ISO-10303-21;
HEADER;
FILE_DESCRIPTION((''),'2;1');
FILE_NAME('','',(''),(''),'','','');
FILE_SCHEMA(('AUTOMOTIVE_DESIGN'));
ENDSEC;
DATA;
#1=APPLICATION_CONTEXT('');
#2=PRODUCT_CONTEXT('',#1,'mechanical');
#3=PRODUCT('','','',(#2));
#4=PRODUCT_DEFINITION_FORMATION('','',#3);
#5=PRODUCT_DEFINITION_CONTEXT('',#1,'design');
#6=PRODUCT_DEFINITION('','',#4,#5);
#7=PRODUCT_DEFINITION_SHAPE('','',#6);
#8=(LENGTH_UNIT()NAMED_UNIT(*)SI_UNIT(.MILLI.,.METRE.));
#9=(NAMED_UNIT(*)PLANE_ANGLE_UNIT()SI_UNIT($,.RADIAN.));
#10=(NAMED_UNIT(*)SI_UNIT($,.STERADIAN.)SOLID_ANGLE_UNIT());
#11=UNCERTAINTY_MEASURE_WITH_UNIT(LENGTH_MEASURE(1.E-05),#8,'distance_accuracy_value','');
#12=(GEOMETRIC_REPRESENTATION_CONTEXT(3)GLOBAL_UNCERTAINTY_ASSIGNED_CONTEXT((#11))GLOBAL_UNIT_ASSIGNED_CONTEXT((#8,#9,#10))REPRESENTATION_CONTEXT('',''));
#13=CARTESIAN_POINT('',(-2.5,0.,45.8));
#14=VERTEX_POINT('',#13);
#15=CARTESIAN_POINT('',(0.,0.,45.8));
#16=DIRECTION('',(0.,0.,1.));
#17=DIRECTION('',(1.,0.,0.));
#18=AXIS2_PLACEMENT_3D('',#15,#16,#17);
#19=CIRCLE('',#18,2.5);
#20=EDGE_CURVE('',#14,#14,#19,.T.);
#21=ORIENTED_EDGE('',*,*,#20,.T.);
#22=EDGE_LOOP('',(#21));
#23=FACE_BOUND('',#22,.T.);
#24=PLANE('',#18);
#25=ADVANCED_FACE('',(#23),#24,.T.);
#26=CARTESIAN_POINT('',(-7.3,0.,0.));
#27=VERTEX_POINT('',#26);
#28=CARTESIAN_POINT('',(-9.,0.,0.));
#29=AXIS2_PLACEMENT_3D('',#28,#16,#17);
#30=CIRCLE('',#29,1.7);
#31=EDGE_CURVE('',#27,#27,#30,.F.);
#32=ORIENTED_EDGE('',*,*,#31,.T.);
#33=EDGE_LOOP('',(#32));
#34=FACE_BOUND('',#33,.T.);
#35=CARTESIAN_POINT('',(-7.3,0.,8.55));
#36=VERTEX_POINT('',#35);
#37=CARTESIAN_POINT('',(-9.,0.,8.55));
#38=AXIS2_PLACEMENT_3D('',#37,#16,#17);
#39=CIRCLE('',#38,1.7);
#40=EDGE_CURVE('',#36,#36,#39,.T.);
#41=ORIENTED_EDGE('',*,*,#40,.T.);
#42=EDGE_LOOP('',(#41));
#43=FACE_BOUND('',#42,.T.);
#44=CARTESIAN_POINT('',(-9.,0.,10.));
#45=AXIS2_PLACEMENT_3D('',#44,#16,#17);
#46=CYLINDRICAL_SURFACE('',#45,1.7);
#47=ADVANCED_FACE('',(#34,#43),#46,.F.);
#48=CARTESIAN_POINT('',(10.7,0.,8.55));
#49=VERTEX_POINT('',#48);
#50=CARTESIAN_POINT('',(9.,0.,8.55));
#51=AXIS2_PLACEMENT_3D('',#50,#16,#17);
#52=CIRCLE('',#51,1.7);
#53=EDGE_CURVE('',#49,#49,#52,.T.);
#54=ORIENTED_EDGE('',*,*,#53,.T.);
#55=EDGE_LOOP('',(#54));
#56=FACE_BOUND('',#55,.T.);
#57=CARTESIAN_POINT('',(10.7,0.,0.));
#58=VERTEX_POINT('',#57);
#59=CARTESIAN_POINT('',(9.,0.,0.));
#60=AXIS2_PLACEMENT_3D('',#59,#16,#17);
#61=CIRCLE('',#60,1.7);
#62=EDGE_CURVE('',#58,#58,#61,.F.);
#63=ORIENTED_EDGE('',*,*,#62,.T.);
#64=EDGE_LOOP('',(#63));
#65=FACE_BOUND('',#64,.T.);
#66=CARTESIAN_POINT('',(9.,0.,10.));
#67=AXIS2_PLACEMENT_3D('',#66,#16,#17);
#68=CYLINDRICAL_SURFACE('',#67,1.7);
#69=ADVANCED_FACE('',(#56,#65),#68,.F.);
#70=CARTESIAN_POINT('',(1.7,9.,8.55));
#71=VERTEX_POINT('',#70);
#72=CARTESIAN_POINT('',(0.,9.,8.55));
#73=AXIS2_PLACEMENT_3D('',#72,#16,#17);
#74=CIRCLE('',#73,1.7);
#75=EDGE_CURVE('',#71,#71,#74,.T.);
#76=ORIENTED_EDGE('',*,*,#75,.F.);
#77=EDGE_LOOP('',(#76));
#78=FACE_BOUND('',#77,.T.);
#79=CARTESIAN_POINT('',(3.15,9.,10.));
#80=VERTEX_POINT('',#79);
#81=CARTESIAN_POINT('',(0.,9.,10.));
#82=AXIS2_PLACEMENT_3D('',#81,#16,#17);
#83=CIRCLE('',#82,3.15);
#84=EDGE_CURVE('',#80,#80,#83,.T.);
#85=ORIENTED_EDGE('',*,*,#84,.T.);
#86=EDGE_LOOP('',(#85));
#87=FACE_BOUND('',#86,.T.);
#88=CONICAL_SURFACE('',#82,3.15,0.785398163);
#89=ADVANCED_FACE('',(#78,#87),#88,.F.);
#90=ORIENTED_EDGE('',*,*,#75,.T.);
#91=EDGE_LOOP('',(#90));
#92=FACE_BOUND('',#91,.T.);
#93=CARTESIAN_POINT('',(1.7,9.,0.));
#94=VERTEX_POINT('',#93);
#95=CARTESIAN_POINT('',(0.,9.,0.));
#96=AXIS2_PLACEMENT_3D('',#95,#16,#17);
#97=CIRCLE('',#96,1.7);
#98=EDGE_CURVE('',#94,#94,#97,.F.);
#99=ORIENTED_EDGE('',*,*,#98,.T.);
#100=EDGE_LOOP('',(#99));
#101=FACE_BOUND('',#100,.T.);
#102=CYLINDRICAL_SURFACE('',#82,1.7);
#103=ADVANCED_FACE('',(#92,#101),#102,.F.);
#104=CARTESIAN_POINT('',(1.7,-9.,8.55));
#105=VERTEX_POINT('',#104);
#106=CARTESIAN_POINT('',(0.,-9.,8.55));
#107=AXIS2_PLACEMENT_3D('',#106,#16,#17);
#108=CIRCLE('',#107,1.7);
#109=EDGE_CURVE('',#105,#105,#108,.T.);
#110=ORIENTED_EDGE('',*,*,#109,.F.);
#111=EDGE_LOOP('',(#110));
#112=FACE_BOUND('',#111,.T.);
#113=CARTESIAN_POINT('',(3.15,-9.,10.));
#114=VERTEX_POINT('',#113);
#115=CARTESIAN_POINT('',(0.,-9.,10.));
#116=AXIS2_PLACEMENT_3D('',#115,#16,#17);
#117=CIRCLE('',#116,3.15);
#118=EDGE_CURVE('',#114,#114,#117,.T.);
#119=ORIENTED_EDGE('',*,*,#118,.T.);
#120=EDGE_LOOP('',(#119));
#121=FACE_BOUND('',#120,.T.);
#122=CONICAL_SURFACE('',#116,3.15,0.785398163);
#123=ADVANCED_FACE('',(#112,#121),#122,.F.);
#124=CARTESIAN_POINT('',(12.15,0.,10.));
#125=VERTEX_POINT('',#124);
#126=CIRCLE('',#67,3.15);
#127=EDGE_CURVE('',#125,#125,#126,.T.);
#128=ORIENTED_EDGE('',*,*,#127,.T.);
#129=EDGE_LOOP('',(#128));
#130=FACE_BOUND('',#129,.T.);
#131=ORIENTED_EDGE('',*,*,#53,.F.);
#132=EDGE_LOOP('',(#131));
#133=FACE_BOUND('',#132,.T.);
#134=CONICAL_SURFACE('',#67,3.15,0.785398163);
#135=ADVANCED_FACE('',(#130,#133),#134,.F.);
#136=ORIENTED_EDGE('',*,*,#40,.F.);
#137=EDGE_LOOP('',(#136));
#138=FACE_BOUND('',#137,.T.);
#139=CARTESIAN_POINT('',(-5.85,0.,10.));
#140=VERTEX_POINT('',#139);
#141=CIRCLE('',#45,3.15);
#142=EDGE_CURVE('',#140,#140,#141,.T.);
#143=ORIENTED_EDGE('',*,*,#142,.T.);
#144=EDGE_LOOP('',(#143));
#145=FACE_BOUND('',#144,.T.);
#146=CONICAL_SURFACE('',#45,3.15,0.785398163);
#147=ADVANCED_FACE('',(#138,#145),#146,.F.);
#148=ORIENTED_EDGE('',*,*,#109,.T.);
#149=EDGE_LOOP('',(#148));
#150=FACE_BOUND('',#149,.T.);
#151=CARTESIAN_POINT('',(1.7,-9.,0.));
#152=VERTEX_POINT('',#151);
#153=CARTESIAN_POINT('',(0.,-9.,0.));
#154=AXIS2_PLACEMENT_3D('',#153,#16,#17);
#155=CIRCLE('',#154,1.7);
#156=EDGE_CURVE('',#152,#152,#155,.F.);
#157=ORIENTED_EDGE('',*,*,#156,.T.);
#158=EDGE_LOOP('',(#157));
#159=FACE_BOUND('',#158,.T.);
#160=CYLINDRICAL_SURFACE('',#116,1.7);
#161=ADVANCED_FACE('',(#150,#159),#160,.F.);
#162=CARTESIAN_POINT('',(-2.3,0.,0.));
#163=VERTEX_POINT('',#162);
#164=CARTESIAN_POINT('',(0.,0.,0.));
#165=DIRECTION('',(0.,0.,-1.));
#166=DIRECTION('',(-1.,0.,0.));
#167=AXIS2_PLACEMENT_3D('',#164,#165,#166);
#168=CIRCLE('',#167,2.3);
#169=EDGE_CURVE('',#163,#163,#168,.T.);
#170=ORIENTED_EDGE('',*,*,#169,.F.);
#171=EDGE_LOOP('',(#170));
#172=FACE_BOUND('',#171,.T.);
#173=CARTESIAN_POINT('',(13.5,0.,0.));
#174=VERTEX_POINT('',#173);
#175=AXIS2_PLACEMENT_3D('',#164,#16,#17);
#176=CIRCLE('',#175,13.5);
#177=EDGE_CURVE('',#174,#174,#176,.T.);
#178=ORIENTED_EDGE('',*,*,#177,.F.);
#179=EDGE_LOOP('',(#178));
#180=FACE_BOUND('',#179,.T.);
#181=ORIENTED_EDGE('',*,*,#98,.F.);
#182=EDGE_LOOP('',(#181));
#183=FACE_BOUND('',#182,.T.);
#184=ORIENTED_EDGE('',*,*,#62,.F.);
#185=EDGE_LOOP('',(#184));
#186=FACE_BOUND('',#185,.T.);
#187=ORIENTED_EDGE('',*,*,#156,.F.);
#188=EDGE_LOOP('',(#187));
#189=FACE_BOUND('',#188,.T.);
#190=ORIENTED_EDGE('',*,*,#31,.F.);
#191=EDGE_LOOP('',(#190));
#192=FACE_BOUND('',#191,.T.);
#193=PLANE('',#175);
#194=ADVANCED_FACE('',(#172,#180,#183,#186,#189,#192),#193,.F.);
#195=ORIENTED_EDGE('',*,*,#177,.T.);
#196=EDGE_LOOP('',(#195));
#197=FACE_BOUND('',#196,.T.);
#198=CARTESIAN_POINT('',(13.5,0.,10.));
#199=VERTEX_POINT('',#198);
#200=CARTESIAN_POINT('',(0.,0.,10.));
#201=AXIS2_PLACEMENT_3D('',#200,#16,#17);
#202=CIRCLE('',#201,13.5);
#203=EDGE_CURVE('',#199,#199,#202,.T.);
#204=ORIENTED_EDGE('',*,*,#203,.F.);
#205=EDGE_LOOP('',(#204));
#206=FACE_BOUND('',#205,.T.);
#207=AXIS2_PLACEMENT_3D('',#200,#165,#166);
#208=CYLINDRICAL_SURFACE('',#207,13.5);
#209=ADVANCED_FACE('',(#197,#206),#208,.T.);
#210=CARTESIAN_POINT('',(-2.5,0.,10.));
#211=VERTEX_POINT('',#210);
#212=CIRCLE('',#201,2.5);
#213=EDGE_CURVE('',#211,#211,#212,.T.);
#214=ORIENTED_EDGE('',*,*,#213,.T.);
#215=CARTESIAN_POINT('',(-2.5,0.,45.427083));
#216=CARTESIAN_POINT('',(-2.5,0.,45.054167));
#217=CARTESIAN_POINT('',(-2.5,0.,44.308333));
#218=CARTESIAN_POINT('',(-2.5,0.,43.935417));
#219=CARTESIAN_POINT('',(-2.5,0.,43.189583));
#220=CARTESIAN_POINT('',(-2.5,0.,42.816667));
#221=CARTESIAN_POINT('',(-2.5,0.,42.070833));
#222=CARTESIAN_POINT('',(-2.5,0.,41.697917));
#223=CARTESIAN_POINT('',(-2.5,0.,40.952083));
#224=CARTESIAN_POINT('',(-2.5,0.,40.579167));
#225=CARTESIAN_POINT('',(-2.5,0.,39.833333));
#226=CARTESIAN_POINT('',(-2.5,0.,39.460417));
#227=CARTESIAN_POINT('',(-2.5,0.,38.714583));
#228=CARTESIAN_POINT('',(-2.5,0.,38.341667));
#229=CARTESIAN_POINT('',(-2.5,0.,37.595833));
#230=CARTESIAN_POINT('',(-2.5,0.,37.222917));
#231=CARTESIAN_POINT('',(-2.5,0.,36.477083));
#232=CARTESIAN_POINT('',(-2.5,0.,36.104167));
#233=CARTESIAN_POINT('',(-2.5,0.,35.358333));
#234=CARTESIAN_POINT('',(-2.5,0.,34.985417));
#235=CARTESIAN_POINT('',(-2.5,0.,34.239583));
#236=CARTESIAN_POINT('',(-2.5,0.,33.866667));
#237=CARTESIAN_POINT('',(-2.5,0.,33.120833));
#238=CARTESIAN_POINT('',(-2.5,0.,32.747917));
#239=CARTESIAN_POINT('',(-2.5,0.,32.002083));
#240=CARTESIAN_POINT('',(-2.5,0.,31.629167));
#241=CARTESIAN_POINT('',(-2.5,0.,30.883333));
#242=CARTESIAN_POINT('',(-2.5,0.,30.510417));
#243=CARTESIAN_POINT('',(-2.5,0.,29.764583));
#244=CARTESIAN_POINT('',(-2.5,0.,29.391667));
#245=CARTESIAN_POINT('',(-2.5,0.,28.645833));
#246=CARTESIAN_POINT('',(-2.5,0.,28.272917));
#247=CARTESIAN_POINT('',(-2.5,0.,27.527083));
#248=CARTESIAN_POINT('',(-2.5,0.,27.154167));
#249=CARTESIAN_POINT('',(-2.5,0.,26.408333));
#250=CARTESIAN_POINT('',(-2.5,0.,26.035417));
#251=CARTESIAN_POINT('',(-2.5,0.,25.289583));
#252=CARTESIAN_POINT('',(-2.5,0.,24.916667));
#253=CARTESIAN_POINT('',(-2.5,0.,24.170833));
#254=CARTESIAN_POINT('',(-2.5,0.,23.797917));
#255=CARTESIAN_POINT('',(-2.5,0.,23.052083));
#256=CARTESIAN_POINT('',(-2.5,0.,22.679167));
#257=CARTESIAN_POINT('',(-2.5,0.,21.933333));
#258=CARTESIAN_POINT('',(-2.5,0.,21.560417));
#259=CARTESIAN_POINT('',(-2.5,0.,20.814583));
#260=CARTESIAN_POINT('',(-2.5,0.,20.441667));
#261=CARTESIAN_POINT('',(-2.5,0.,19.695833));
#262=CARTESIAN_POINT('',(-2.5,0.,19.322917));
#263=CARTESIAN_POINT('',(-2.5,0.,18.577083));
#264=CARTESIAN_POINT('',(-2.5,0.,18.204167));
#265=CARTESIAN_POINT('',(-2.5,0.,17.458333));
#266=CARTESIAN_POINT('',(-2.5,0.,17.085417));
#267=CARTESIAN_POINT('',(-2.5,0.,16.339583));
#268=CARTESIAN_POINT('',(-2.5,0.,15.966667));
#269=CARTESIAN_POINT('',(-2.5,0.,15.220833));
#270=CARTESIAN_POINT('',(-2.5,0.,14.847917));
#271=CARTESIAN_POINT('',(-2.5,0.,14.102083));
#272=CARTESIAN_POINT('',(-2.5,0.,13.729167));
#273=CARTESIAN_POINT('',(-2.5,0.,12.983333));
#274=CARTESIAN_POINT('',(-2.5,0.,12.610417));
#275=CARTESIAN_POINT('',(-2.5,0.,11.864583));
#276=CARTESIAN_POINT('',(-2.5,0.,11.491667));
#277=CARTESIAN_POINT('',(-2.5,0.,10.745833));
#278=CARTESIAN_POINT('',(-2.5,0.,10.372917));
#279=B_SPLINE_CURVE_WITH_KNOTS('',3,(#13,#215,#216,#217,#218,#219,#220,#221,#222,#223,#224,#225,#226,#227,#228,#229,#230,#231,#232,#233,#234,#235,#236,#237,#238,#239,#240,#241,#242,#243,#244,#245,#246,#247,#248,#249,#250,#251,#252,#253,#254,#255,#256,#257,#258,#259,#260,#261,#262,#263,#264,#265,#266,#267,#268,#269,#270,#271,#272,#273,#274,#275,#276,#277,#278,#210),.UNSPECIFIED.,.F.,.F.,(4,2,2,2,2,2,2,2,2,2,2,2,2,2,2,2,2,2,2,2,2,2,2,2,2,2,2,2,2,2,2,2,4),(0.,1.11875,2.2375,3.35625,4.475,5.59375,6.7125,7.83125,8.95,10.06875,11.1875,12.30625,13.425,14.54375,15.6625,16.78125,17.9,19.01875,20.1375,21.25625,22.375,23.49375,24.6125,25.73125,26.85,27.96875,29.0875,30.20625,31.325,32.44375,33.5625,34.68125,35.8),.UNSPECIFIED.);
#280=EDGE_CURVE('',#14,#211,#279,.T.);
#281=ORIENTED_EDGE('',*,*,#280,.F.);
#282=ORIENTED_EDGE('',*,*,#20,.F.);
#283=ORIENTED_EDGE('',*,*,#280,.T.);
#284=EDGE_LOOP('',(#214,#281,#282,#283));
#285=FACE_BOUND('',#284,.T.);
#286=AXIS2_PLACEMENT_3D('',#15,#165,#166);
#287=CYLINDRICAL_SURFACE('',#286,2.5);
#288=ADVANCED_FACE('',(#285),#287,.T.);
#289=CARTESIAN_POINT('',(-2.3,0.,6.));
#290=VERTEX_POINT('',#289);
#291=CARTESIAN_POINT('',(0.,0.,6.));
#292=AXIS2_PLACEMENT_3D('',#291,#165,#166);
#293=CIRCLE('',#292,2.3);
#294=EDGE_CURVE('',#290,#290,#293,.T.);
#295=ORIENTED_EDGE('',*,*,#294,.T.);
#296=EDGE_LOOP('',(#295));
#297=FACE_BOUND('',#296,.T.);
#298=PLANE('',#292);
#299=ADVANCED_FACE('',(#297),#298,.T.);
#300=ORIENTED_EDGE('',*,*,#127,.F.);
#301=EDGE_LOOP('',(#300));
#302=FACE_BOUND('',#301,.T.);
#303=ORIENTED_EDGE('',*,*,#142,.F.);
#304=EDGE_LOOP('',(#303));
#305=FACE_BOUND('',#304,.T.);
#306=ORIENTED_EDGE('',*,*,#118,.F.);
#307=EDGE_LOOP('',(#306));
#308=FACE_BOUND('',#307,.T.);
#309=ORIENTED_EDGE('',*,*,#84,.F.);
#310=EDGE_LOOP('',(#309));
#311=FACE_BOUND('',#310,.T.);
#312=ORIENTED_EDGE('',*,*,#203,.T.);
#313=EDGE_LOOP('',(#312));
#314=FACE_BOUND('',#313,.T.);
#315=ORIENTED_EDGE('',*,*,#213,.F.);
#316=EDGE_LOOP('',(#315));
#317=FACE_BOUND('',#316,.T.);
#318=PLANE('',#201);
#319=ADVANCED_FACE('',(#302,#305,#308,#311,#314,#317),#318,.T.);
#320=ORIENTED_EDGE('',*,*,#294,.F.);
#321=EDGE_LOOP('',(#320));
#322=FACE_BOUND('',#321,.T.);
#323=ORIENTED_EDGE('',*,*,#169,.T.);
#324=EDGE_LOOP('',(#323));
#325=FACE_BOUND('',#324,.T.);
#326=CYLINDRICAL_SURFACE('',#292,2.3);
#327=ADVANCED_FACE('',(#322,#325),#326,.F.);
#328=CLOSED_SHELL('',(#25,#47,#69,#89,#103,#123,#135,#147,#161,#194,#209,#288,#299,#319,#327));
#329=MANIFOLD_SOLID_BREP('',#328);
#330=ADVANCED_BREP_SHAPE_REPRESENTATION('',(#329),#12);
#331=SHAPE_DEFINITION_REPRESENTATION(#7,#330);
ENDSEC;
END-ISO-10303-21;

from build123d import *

# Parameters (mm, degrees)
SKETCH1_R                                       = 13.5
SKETCH1_R_2                                     = 1.6
BOSS_EXTRUDE1_DEPTH                             = 10
SKETCH2_R                                       = 2.5
BOSS_EXTRUDE2_DEPTH                             = 35.8
SKETCH3_R                                       = 2.3
CUT_EXTRUDE1_DEPTH                              = 6
CSK_FOR_M3_FLAT_HEAD_MACHINE_SCREW1_D           = 3.4
CSK_FOR_M3_FLAT_HEAD_MACHINE_SCREW1_CSINK_D     = 6.3
CSK_FOR_M3_FLAT_HEAD_MACHINE_SCREW1_CSINK_ANGLE = 90


with BuildPart() as part:
    # Sketch1 → Boss-Extrude1 (new body)
    with BuildSketch(Plane.XY):
        Circle(SKETCH1_R)
        with Locations((0, 9)):
            Circle(SKETCH1_R_2, mode=Mode.SUBTRACT)
        with Locations((0, -9)):
            Circle(SKETCH1_R_2, mode=Mode.SUBTRACT)
        with Locations((-9, 0)):
            Circle(SKETCH1_R_2, mode=Mode.SUBTRACT)
        with Locations((9, 0)):
            Circle(SKETCH1_R_2, mode=Mode.SUBTRACT)
    extrude(amount=BOSS_EXTRUDE1_DEPTH)

    # Sketch2 → Boss-Extrude2 (add)
    with BuildSketch(Plane.XY.offset(10)):
        with Locations(Location((0, 0, 0), (0, 0, 180))):
            Circle(SKETCH2_R)
    extrude(amount=BOSS_EXTRUDE2_DEPTH)

    # Sketch3 → Cut-Extrude1 (cut)
    with BuildSketch(Plane(origin=(0, 0, 0), x_dir=(-1, 0, 0), z_dir=(0, 0, -1))):
        Circle(SKETCH3_R)
    extrude(amount=-CUT_EXTRUDE1_DEPTH, mode=Mode.SUBTRACT)

    # CSK for M3 Flat Head Machine Screw1 (through all)
    with Locations(Plane.XY.offset(10)):
        with Locations((0, 9), (9, 0), (-9, 0), (0, -9)):
            CounterSinkHole(CSK_FOR_M3_FLAT_HEAD_MACHINE_SCREW1_D / 2, CSK_FOR_M3_FLAT_HEAD_MACHINE_SCREW1_CSINK_D / 2, counter_sink_angle=CSK_FOR_M3_FLAT_HEAD_MACHINE_SCREW1_CSINK_ANGLE)


solid = part.part
